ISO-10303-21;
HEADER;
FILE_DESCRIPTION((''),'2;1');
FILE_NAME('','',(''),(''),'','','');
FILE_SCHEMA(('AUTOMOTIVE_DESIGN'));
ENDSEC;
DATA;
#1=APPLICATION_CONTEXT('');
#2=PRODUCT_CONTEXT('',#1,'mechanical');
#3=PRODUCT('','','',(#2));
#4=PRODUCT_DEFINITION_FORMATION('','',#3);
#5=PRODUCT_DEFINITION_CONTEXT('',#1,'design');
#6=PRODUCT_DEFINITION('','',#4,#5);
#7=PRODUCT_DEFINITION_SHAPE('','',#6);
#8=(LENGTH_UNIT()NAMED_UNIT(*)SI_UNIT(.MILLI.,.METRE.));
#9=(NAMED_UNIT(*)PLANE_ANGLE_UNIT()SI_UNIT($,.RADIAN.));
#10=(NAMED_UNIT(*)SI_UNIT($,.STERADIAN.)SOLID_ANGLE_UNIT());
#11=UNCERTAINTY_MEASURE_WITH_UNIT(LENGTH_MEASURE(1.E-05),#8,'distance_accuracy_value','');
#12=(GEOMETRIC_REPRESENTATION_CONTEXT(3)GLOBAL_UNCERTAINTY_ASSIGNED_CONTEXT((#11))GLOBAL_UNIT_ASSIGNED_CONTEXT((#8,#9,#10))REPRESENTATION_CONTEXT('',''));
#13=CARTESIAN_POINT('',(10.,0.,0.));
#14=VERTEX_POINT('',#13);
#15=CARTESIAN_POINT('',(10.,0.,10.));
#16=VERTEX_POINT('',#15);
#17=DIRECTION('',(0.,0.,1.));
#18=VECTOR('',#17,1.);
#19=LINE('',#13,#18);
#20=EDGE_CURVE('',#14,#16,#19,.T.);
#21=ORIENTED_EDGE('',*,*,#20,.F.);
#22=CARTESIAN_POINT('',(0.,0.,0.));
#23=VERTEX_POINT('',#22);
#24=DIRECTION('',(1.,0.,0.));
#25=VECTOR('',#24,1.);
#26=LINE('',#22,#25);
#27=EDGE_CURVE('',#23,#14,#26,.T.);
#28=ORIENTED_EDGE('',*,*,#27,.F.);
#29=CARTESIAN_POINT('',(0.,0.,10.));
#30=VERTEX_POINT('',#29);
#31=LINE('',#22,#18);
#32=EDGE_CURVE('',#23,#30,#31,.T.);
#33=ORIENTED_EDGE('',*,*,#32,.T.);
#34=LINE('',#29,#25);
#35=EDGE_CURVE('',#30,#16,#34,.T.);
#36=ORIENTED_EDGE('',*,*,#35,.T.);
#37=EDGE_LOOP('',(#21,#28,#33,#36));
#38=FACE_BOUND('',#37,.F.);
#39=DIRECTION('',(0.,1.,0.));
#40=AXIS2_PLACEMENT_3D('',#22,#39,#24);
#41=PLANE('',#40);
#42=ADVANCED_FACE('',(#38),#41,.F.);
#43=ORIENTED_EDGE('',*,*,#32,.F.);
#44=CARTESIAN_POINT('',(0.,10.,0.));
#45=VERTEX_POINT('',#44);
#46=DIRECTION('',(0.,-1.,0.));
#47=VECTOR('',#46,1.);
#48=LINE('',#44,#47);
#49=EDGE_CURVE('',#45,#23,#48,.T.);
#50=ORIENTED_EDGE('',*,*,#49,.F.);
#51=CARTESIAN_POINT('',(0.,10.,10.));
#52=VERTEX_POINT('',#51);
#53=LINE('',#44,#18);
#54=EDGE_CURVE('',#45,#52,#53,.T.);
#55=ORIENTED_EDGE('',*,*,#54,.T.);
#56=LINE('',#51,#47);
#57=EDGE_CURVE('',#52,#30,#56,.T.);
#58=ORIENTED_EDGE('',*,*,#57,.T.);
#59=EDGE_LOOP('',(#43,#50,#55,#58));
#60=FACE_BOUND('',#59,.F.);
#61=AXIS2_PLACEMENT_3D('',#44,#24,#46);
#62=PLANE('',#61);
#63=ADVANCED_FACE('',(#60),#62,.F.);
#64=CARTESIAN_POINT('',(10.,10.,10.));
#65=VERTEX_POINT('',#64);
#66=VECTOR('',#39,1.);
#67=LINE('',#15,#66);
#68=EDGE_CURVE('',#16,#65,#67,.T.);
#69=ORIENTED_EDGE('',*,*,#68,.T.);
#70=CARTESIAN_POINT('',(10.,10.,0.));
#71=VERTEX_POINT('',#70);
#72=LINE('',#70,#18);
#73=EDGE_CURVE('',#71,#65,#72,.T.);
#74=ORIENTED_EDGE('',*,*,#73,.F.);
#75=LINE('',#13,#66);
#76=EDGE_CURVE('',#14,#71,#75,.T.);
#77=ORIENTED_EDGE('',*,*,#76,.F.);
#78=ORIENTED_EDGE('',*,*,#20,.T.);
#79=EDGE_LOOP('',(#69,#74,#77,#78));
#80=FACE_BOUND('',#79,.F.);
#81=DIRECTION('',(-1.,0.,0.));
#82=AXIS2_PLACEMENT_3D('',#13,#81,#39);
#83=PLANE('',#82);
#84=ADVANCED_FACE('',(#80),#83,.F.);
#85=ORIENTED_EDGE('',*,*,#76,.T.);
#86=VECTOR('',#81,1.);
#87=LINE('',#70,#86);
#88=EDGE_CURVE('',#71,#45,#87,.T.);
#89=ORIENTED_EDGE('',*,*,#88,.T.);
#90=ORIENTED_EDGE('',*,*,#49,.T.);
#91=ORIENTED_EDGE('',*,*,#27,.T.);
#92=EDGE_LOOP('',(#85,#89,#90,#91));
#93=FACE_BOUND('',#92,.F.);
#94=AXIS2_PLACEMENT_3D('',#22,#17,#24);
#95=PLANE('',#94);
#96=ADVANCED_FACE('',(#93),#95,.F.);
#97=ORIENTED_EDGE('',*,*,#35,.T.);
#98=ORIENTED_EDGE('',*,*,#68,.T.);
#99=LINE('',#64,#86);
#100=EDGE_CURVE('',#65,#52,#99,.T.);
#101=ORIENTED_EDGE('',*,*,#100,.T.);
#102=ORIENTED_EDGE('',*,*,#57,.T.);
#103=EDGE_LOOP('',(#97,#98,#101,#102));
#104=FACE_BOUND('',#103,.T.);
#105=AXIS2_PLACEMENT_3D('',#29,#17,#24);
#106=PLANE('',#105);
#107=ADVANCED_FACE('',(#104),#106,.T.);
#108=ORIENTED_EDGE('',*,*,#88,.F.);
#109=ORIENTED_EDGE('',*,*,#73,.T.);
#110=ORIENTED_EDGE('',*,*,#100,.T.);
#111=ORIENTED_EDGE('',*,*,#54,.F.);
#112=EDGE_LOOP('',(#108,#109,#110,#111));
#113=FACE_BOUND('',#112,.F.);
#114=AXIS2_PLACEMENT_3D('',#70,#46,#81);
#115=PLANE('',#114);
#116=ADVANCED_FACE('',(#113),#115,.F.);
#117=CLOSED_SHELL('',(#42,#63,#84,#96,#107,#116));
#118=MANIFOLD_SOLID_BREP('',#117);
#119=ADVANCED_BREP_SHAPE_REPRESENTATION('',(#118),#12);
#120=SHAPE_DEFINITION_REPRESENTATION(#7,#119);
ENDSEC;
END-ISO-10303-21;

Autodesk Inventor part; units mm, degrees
ref_plane "YZ Plane" through (0, 0, 0) normal (1, 0, 0) x (0, 1, 0)
ref_plane "XZ Plane" through (0, 0, 0) normal (0, 1, 0) x (-1, 0, 0)
ref_plane "XY Plane" through (0, 0, 0) normal (0, 0, 1) x (1, 0, 0)
sketch "Szkic1" plane through (0, 0, 0) normal (0, 0, 1) x (1, 0, 0)
  line L0 (0, 0) -> (10, 0)
  line L1 (10, 0) -> (10, 10)
  line L2 (10, 10) -> (0, 10)
  line L3 (0, 10) -> (0, 0)
extrude "Wyciągnięcie proste1" add sketch "Szkic1" along normal blind 10
properties part number "kostka"
